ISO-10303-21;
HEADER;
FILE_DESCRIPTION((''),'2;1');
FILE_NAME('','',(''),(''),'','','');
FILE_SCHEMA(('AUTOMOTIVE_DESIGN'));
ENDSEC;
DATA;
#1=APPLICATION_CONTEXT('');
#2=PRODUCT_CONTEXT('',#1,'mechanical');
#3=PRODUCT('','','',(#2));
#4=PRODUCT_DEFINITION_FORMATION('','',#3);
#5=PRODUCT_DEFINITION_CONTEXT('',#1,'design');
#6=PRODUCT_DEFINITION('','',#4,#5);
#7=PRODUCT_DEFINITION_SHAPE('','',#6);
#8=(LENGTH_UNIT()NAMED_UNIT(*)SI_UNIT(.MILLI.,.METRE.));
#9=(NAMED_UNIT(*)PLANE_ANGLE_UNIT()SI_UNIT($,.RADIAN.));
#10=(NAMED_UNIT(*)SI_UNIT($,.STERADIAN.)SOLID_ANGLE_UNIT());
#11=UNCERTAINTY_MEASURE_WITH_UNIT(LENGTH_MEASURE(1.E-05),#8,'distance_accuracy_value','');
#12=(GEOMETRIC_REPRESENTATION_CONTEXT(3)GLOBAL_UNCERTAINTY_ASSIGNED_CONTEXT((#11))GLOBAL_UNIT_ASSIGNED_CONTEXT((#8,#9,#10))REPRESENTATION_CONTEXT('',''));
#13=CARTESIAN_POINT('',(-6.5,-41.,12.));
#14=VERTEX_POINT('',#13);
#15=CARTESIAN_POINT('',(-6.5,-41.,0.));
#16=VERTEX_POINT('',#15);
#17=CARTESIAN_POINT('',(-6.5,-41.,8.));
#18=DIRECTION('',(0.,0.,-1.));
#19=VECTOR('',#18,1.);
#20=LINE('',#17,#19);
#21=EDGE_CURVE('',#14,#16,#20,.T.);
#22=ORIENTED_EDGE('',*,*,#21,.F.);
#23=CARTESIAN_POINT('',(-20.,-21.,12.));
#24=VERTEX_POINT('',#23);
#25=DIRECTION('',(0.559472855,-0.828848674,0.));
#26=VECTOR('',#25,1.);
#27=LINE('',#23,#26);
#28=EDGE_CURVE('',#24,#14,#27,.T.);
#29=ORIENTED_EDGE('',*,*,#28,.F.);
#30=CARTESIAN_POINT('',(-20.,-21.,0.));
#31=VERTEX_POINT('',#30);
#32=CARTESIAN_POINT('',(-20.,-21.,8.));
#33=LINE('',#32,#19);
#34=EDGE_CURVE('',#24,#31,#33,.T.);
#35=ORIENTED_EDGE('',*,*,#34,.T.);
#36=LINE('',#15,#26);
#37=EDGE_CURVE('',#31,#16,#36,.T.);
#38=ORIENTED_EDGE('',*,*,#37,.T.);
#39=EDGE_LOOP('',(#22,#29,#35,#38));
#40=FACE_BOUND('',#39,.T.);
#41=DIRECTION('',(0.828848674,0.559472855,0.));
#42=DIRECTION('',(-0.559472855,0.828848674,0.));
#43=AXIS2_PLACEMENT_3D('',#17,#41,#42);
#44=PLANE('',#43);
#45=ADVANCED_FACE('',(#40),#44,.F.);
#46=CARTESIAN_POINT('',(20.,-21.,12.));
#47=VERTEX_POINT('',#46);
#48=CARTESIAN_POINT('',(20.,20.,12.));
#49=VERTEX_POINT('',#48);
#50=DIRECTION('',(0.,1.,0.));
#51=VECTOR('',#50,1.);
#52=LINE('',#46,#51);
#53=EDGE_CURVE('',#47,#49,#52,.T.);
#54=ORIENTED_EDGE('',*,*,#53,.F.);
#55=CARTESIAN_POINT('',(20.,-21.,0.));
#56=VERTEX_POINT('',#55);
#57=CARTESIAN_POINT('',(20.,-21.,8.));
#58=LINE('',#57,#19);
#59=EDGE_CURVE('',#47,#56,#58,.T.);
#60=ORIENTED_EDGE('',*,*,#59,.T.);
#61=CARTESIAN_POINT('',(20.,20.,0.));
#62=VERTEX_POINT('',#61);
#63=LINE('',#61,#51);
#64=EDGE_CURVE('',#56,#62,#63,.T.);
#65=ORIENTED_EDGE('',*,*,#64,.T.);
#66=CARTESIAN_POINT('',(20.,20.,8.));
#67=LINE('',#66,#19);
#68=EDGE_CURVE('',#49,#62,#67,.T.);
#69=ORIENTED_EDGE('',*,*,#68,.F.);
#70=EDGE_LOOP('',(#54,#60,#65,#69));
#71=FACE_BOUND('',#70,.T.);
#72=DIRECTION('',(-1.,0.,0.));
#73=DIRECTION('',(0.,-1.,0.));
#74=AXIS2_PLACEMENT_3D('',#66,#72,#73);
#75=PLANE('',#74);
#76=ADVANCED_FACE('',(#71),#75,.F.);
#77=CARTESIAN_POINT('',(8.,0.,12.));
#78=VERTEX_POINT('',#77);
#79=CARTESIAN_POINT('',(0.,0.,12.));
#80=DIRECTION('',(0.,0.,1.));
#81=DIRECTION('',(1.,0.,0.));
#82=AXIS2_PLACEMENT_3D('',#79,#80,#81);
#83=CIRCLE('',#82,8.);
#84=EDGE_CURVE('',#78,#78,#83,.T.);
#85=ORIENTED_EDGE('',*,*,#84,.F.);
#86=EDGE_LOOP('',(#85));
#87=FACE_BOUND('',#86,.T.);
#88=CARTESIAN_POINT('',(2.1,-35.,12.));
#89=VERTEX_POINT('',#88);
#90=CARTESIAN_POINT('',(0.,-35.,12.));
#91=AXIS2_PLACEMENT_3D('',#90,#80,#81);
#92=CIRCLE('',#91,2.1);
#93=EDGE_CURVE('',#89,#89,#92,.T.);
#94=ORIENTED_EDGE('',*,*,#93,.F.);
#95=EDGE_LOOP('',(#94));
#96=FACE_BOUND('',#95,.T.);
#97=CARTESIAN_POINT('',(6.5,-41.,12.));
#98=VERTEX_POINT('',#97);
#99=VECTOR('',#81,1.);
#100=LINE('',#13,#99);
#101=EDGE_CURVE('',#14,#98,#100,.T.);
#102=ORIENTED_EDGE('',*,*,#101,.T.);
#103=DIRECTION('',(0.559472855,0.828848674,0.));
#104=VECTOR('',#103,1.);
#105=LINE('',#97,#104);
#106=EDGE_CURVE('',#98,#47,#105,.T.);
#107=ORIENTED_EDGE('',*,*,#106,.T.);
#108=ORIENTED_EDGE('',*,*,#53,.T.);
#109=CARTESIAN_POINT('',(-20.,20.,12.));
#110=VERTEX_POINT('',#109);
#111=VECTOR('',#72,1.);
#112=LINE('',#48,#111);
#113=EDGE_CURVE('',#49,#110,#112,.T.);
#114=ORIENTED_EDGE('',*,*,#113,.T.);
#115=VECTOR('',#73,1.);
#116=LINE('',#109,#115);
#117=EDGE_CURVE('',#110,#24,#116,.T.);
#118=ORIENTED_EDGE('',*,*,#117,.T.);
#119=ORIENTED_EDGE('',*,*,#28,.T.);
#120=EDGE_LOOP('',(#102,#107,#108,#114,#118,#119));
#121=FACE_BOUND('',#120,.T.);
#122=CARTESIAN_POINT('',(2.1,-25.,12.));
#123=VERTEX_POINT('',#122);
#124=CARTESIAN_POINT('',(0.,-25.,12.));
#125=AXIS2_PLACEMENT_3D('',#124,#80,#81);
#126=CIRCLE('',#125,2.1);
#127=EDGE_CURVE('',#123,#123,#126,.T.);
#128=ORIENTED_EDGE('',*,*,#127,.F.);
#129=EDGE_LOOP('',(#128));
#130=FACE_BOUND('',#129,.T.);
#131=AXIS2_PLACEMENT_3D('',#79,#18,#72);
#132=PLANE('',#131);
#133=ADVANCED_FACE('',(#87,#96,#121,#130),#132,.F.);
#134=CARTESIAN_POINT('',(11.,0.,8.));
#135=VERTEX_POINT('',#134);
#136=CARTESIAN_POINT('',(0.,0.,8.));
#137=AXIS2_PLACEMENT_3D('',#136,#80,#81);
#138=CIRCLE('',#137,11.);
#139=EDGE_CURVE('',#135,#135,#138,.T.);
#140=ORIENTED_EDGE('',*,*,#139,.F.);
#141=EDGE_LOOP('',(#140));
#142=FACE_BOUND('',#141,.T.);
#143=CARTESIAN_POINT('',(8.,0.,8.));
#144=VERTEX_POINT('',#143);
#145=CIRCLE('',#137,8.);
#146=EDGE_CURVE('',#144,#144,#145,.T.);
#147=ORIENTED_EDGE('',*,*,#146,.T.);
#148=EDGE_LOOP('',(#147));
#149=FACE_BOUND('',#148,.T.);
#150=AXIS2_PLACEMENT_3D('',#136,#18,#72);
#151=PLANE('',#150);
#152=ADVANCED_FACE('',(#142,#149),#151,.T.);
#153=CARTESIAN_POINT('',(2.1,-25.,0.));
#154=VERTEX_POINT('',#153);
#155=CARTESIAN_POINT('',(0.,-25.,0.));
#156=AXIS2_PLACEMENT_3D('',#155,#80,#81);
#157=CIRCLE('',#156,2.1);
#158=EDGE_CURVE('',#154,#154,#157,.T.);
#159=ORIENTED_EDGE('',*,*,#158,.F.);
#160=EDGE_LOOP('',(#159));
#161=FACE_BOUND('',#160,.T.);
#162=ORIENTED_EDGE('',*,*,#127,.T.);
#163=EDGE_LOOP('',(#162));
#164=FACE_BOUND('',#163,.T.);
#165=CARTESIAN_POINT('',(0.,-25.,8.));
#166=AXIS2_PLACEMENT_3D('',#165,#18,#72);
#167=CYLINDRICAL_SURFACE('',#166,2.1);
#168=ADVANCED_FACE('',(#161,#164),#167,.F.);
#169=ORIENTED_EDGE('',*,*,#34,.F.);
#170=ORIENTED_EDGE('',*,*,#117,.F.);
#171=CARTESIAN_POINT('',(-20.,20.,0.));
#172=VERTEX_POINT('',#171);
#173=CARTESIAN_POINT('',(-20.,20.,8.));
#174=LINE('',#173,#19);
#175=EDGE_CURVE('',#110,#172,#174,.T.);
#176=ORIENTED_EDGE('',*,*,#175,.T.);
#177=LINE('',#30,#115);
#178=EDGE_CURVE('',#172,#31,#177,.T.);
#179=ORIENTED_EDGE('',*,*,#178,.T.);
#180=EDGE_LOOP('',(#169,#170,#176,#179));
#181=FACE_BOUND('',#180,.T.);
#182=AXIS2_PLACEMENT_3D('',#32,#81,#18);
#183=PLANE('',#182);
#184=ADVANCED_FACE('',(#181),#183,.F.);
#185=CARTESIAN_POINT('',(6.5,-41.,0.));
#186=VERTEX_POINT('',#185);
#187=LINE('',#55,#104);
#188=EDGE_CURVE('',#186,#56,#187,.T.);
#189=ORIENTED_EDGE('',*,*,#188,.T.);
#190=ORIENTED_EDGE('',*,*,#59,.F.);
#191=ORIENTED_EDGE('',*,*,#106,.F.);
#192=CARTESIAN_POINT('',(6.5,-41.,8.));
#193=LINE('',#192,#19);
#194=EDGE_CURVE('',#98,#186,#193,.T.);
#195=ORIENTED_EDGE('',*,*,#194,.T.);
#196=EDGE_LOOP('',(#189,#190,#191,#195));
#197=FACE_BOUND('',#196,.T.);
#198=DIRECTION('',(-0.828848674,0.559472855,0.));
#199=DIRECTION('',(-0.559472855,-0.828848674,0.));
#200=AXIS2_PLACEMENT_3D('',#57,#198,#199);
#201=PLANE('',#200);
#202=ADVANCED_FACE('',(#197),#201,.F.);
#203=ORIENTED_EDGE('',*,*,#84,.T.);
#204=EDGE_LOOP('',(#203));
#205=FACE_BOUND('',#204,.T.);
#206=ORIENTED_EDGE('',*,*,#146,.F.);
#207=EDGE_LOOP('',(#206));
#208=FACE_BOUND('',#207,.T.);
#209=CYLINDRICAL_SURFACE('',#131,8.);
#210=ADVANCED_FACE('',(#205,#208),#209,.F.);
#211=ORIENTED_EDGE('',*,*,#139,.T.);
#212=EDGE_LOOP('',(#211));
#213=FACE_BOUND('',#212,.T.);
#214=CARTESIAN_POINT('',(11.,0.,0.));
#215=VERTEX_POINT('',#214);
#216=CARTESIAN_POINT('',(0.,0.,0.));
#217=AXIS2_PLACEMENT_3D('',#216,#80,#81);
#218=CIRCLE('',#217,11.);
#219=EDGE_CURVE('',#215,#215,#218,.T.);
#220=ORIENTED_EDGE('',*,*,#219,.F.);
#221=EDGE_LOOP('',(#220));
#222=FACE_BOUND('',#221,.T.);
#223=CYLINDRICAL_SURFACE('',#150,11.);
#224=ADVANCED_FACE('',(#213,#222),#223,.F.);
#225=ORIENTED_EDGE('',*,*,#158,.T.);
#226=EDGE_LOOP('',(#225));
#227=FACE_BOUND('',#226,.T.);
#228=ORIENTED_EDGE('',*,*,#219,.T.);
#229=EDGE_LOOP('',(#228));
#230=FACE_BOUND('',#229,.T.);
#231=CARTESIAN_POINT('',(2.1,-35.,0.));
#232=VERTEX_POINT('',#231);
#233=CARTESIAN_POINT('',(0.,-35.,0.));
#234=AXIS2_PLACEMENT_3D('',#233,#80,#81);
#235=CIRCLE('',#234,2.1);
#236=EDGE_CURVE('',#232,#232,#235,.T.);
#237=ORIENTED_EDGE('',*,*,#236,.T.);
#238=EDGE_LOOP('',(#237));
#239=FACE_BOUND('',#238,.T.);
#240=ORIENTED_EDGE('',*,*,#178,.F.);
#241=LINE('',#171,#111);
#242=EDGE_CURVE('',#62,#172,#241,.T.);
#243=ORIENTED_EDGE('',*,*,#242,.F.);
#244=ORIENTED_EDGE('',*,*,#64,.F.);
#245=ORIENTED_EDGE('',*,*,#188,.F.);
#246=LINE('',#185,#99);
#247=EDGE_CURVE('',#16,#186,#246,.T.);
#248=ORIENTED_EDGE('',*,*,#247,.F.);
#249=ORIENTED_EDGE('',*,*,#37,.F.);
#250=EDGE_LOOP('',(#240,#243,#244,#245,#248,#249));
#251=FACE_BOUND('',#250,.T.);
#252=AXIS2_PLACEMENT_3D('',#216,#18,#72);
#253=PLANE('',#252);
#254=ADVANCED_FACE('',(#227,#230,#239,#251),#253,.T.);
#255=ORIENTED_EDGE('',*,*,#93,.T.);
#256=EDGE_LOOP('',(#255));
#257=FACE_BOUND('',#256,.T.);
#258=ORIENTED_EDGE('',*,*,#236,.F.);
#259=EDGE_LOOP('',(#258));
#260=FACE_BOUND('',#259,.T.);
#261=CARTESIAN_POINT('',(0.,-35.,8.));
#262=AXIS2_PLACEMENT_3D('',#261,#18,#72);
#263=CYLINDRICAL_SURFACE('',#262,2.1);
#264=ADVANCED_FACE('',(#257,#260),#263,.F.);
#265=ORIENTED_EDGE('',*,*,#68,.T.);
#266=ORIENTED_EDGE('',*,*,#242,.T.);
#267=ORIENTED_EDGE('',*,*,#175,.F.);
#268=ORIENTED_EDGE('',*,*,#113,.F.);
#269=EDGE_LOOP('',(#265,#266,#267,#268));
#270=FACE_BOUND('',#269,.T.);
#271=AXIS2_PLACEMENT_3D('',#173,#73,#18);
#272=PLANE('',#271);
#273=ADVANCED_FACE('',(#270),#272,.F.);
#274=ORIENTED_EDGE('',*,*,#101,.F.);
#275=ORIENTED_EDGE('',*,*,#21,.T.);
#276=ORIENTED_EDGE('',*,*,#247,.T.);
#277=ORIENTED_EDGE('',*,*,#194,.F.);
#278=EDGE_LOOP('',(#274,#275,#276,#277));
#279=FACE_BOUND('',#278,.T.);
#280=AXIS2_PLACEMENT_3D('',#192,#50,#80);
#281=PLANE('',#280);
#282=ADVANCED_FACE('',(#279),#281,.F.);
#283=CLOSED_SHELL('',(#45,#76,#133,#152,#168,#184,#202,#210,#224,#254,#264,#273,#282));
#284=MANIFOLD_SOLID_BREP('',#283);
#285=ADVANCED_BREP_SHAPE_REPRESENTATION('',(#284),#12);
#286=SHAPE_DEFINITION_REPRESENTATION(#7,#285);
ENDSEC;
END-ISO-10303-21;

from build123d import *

# Parameters (mm, degrees)
SKETCH1_R           = 11
SKETCH1_R_2         = 2.1
BOSS_EXTRUDE1_DEPTH = 8
SKETCH2_R           = 8
SKETCH2_R_2         = 2.1
BOSS_EXTRUDE2_DEPTH = 4


with BuildPart() as part:
    # Sketch1 → Boss-Extrude1 (new body)
    with BuildSketch(Plane.XY):
        Polygon((-20, 20), (20, 20), (20, -21), (6.5, -41), (-6.5, -41), (-20, -21), align=None)
        Circle(SKETCH1_R, mode=Mode.SUBTRACT)
        with Locations((0, -35)):
            Circle(SKETCH1_R_2, mode=Mode.SUBTRACT)
        with Locations((0, -25)):
            Circle(SKETCH1_R_2, mode=Mode.SUBTRACT)
    extrude(amount=BOSS_EXTRUDE1_DEPTH)

    # Sketch2 → Boss-Extrude2 (add)
    with BuildSketch(Plane.XY.offset(8)):
        Polygon((20, -21), (20, 20), (-20, 20), (-20, -21), (-6.5, -41), (6.5, -41), align=None)
        Circle(SKETCH2_R, mode=Mode.SUBTRACT)
        with Locations((0, -35)):
            Circle(SKETCH2_R_2, mode=Mode.SUBTRACT)
        with Locations((0, -25)):
            Circle(SKETCH2_R_2, mode=Mode.SUBTRACT)
    extrude(amount=BOSS_EXTRUDE2_DEPTH)


solid = part.part
